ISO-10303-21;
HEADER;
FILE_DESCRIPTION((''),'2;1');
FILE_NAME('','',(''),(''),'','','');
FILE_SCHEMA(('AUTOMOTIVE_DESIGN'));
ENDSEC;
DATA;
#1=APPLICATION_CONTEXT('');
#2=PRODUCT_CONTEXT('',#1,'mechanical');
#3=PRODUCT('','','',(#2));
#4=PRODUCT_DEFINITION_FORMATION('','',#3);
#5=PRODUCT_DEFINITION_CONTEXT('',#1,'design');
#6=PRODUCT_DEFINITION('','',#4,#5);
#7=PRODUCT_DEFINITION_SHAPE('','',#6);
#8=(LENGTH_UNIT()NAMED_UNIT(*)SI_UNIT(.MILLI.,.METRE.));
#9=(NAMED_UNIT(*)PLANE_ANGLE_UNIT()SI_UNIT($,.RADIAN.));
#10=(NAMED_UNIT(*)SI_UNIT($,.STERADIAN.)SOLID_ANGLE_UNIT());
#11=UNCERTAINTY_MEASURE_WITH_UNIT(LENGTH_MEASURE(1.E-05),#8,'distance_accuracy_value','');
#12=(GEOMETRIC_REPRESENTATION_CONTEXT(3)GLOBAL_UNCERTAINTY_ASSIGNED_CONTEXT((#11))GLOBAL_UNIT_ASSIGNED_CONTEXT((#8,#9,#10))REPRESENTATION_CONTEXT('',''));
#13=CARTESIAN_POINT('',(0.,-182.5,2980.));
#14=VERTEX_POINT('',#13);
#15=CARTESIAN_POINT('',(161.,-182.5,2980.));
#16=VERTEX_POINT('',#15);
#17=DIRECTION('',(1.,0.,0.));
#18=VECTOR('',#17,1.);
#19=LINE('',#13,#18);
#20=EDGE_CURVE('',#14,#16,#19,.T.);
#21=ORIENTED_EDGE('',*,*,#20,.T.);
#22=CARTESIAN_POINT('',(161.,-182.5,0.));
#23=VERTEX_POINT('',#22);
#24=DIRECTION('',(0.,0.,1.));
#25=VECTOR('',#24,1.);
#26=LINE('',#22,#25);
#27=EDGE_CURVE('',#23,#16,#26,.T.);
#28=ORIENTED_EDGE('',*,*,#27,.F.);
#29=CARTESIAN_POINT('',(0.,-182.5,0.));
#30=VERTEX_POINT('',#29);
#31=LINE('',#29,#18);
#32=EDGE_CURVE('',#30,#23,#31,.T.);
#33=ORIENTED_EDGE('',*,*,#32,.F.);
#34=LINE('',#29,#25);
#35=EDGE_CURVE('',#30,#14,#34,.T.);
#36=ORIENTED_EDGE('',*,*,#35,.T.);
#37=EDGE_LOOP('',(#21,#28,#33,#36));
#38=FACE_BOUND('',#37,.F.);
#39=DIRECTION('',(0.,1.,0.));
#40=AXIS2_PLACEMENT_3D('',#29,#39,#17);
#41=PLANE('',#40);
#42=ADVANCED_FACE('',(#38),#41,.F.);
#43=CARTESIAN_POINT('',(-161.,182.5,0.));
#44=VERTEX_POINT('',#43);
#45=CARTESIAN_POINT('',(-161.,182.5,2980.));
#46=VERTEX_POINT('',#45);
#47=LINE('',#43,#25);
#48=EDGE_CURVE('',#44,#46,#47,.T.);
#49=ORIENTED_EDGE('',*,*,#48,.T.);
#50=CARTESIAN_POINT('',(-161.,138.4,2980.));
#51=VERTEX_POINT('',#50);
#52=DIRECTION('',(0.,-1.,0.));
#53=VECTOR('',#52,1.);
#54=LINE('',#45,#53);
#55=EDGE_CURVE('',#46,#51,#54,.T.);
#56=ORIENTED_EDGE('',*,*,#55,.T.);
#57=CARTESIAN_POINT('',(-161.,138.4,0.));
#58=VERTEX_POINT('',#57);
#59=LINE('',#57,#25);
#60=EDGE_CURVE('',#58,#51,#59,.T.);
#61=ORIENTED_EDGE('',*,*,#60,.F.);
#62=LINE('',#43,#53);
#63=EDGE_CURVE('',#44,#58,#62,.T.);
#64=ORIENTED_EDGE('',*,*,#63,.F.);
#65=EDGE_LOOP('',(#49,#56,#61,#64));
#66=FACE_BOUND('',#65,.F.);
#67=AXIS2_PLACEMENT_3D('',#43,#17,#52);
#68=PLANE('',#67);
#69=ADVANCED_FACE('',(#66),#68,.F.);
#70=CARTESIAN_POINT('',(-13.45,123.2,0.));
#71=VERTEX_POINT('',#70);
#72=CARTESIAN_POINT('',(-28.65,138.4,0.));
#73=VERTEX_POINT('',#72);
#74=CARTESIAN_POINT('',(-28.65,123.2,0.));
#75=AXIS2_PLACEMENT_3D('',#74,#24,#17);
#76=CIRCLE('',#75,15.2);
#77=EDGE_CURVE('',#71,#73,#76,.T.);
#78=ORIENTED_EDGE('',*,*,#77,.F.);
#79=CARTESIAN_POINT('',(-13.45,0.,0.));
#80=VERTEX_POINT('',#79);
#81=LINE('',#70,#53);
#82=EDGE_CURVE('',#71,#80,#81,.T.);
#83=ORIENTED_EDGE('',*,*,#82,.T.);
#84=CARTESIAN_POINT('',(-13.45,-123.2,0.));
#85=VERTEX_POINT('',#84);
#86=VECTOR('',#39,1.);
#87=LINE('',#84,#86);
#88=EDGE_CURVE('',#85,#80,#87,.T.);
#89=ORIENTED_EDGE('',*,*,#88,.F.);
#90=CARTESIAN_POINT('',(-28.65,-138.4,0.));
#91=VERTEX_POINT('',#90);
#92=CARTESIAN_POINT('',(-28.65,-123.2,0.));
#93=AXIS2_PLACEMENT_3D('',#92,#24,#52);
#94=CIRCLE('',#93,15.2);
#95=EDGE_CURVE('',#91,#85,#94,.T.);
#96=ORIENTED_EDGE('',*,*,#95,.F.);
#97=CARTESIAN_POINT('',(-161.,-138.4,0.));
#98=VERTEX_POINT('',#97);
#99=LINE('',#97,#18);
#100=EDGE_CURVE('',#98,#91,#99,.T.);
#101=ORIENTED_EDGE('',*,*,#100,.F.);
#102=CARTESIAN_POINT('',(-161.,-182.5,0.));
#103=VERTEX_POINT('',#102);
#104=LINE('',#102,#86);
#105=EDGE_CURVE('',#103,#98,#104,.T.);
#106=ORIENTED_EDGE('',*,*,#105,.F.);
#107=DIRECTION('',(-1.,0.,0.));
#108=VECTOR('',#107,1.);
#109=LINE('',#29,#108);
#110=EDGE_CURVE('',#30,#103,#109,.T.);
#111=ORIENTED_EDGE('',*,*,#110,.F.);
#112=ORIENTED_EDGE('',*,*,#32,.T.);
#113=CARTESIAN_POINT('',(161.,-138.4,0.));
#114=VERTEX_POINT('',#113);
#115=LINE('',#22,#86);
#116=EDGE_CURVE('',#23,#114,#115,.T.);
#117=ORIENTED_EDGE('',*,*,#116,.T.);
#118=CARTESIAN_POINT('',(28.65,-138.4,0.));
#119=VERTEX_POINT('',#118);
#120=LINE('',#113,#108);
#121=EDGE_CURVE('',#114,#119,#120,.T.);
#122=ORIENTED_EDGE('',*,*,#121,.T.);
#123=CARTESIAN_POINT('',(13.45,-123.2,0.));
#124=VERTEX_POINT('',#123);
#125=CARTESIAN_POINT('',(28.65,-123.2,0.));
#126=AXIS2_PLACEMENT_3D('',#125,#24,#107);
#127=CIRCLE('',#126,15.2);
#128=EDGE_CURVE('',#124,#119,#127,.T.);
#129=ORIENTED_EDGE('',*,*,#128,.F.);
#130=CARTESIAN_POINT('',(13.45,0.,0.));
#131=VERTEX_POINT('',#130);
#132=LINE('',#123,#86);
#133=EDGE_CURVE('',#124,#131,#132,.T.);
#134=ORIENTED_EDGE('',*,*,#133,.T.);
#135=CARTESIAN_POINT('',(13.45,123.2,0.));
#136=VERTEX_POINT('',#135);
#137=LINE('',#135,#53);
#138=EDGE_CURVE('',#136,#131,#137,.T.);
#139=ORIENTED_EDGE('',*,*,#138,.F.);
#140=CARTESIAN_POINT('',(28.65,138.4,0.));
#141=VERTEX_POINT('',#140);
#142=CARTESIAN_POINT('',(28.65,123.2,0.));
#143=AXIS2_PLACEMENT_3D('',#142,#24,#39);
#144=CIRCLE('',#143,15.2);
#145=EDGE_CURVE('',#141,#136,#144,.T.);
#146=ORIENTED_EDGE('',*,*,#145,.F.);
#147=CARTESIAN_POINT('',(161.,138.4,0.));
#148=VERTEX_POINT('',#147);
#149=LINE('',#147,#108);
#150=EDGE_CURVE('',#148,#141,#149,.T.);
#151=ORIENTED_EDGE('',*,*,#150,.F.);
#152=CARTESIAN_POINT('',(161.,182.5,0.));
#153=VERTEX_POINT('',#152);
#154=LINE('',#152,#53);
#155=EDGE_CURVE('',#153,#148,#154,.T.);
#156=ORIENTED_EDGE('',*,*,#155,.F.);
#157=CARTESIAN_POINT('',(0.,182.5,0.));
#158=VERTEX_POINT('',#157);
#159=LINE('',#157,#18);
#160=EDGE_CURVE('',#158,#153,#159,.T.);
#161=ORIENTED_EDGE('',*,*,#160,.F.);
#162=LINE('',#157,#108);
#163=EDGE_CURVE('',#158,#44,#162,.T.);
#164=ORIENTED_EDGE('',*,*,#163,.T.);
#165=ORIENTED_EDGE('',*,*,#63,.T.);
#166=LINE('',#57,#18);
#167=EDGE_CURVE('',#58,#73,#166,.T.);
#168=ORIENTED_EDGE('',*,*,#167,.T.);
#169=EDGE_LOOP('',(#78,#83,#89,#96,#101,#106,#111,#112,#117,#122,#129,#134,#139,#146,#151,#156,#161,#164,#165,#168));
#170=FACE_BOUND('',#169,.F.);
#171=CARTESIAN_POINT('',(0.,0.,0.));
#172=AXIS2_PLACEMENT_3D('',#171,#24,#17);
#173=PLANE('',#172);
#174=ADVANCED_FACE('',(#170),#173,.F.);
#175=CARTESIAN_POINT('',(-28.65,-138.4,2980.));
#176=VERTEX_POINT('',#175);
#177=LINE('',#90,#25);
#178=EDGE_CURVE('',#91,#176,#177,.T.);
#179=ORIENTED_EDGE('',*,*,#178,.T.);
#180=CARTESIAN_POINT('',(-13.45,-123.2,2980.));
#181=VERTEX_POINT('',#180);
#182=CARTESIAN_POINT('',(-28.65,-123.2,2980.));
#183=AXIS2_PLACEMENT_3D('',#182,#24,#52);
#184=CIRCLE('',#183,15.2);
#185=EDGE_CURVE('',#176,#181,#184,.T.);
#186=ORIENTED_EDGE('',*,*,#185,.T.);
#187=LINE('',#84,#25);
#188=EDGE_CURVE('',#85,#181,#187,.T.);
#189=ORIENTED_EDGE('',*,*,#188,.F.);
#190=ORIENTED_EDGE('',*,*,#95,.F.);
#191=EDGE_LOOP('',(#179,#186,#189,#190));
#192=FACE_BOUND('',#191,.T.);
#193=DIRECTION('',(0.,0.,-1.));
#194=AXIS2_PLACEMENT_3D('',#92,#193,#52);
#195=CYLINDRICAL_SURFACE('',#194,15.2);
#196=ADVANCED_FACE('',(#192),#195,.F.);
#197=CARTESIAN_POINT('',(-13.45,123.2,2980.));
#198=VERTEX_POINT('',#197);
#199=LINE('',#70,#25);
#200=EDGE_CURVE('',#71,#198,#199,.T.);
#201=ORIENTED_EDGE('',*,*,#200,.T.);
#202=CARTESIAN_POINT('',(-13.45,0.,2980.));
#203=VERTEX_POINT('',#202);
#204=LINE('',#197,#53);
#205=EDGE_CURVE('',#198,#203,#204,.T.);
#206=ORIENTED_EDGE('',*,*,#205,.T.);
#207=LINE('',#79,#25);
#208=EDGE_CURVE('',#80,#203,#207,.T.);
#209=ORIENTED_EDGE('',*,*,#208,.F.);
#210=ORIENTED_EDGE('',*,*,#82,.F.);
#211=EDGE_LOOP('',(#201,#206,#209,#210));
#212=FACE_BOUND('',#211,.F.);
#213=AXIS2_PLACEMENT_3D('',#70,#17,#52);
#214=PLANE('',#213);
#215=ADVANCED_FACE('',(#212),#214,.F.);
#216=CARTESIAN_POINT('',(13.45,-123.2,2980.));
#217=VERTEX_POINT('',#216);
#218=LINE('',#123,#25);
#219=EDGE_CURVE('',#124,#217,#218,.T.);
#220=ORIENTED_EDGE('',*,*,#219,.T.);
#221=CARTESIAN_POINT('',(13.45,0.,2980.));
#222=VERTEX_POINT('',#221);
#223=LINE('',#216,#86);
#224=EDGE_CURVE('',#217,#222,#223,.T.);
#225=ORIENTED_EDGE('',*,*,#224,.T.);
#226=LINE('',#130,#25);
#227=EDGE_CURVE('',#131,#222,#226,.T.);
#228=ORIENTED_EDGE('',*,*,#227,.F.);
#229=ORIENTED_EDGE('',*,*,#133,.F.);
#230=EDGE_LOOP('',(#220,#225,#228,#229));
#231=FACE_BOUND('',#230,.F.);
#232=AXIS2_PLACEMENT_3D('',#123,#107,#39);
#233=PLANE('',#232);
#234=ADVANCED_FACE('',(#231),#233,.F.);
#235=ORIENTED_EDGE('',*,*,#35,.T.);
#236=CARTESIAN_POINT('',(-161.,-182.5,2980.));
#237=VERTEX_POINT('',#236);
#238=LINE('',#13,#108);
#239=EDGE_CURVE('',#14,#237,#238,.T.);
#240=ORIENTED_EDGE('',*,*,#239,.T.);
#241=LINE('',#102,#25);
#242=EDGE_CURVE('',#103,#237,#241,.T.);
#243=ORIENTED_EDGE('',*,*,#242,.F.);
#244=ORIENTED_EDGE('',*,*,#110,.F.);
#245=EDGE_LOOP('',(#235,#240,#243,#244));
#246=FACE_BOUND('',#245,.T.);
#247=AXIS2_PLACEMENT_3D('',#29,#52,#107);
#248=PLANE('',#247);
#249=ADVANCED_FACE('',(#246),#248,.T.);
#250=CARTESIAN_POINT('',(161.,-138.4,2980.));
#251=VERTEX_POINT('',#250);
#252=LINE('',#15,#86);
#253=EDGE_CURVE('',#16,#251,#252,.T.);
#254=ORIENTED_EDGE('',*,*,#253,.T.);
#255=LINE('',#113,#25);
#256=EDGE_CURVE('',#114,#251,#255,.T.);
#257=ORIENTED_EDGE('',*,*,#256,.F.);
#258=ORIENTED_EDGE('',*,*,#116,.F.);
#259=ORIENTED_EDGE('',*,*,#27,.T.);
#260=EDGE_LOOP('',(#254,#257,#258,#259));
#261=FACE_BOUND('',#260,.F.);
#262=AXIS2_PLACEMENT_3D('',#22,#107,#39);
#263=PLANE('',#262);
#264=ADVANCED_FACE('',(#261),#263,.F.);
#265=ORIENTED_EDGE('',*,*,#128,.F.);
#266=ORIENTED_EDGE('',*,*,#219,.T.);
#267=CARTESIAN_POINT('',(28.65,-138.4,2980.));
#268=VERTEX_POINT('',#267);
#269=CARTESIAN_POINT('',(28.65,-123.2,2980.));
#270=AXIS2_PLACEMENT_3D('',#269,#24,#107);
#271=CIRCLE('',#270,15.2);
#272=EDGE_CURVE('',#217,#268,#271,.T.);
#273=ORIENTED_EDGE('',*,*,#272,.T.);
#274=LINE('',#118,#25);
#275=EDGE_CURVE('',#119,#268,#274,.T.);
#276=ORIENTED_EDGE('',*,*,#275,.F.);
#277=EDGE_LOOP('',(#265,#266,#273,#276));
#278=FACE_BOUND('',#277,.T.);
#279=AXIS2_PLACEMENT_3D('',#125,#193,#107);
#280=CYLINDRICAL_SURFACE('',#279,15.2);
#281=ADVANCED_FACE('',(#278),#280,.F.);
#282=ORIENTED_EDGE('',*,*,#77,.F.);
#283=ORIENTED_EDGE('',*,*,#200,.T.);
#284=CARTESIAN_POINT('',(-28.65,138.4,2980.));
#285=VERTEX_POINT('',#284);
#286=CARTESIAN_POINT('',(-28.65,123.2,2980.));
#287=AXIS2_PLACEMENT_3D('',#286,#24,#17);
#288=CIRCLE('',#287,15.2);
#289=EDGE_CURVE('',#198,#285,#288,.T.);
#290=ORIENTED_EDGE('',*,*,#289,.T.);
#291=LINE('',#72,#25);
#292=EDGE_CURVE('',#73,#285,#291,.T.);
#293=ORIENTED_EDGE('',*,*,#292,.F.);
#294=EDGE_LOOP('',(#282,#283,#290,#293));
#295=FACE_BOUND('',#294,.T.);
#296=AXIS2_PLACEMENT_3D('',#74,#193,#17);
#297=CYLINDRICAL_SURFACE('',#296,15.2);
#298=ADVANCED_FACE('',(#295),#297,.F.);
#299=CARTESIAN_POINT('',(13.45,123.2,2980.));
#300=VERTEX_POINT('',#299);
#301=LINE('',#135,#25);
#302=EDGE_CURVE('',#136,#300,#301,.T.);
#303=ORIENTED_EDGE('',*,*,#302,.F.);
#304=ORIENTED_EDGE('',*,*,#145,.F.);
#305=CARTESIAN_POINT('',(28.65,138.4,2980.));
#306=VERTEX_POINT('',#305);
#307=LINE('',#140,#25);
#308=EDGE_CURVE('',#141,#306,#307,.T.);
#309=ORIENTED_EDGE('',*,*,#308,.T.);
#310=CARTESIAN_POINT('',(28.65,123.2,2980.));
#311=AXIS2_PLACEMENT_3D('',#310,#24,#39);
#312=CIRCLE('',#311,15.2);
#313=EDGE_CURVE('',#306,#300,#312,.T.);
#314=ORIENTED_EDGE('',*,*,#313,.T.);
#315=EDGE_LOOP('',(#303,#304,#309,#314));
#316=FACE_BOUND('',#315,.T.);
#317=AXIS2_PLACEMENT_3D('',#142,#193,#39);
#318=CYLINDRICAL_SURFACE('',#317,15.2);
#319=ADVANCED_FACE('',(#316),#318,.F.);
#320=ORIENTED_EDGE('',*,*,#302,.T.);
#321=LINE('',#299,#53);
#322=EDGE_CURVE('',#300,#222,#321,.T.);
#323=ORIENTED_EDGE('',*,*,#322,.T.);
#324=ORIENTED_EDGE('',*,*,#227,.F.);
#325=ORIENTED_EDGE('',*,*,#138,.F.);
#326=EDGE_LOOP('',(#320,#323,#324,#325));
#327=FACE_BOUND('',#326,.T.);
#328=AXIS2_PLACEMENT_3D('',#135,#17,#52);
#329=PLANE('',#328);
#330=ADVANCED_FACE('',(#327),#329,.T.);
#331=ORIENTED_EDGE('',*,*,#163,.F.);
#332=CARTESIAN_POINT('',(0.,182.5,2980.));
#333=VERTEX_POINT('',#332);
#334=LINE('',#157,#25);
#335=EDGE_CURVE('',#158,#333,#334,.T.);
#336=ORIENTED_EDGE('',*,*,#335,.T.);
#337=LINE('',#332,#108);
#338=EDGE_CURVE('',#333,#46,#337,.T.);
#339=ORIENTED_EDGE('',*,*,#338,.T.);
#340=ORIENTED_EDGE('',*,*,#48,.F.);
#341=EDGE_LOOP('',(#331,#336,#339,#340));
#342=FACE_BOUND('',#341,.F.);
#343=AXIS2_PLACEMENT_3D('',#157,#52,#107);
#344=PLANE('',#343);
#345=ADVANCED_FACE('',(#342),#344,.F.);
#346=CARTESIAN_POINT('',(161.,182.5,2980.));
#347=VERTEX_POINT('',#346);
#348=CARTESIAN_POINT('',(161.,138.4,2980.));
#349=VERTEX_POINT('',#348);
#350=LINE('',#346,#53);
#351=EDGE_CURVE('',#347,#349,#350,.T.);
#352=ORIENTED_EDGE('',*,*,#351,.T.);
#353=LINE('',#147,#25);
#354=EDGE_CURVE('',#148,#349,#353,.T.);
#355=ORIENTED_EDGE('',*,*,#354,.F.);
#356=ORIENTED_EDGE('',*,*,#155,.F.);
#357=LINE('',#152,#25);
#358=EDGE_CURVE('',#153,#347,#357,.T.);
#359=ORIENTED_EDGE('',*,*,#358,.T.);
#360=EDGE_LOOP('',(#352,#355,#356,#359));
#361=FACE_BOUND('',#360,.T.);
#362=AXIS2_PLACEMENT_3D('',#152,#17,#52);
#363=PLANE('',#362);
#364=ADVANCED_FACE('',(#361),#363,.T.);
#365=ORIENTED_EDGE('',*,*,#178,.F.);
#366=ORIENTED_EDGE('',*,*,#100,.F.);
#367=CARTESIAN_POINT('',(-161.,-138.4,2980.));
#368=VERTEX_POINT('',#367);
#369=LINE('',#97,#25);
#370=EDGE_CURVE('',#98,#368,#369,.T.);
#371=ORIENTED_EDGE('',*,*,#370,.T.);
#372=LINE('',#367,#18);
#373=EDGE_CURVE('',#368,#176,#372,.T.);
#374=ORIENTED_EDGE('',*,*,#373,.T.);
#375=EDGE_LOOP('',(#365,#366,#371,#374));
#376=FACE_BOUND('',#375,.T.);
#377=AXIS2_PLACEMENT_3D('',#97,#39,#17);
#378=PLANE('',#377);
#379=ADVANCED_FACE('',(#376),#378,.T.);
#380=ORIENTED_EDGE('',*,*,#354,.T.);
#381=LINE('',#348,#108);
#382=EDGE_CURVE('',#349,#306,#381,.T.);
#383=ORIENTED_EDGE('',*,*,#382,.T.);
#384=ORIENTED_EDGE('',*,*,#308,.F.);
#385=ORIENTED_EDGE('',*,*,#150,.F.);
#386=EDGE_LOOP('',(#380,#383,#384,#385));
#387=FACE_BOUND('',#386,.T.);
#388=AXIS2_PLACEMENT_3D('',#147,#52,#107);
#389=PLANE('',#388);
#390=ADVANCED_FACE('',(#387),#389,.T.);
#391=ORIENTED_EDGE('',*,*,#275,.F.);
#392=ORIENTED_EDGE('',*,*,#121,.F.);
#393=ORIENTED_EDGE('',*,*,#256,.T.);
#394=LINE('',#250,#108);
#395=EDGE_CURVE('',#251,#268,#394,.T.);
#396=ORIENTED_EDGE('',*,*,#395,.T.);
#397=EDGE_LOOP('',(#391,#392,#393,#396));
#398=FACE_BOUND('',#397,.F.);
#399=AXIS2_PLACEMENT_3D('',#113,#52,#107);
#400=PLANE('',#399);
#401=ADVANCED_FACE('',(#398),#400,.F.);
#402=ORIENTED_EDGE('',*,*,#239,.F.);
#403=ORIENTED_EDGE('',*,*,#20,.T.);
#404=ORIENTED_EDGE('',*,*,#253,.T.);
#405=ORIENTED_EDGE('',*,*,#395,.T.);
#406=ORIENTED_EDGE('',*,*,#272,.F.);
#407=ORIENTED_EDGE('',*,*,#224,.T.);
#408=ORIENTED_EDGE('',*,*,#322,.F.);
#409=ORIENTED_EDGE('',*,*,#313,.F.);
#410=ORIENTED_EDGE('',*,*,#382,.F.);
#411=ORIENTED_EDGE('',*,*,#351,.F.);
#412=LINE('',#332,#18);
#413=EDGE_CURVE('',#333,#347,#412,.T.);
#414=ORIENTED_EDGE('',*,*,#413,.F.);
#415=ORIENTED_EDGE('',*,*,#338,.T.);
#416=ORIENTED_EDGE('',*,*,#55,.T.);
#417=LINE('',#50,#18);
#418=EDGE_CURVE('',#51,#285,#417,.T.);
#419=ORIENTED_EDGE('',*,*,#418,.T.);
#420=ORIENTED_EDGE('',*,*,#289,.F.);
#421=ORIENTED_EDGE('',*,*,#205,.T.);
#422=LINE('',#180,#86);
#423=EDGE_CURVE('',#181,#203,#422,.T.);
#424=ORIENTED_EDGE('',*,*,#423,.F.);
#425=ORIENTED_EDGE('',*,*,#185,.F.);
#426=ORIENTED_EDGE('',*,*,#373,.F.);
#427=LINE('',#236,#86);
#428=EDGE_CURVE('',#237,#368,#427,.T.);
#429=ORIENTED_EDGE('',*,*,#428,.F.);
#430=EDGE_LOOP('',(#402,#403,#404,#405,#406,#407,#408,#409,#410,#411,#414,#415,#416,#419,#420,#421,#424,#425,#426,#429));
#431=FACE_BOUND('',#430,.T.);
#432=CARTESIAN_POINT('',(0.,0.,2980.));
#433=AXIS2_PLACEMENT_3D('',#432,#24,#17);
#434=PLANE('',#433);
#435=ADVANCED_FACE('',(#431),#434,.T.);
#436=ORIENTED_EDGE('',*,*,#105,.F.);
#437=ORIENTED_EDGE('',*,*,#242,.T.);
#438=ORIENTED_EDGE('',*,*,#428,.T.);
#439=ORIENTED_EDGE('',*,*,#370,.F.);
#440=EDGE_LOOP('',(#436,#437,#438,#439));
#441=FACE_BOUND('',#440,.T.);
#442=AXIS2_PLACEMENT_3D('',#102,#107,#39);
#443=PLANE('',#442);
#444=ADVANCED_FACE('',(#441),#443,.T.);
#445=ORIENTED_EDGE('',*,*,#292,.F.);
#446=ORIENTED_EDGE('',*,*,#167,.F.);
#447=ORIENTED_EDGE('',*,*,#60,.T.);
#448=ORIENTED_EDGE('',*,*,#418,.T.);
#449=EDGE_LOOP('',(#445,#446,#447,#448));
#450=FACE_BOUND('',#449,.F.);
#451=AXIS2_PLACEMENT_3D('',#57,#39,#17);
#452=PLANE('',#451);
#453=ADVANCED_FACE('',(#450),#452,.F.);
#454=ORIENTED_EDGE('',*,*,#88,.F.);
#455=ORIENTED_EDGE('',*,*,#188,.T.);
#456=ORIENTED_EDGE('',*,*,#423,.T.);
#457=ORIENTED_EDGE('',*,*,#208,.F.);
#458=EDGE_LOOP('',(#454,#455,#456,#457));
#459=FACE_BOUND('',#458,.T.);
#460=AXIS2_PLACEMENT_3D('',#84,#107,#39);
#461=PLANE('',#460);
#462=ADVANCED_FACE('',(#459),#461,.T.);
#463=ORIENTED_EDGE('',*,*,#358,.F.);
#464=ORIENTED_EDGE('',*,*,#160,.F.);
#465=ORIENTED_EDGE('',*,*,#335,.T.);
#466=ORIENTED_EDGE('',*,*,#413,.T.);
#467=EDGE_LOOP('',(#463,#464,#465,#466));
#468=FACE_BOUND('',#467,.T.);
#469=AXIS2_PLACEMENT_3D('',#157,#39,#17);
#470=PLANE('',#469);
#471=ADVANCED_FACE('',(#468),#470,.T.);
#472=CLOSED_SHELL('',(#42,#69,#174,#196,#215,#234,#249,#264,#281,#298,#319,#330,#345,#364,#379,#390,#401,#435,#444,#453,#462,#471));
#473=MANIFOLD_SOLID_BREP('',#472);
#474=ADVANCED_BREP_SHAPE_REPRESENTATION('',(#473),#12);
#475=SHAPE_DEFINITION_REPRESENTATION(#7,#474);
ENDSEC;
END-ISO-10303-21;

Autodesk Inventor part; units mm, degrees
ref_plane "YZ Plane" through (0, 0, 0) normal (1, 0, 0) x (0, 1, 0)
ref_plane "Start plane" through (0, 0, 0) normal (0, 0, 1) x (1, 0, 0)
ref_plane "End plane" through (0, 0, 2980) normal (0, 0, 1) x (1, 0, 0)
sketch "Sketch" plane through (0, 0, 0) normal (0, 0, 1) x (1, 0, 0)
  line L0 (-161, -182.5) -> (-161, -138.4)
  line L1 (-161, -138.4) -> (-28.65, -138.4)
  line L2 (-13.45, -123.2) -> (-13.45, 0)
  line L3 (-13.45, 0) -> (0, 0) construction
  line L4 (0, 0) -> (0, -182.5) construction
  line L5 (0, -182.5) -> (-161, -182.5)
  line L6 (-60, 0) -> (80, 0) construction
  line L7 (0, -60) -> (0, 80) construction
  line L8 (161, -182.5) -> (161, -138.4)
  line L9 (161, -138.4) -> (28.65, -138.4)
  line L10 (13.45, -123.2) -> (13.45, 0)
  line L11 (13.45, 0) -> (0, 0) construction
  line L12 (0, -182.5) -> (161, -182.5)
  line L13 (-161, 182.5) -> (-161, 138.4)
  line L14 (-161, 138.4) -> (-28.65, 138.4)
  line L15 (-13.45, 123.2) -> (-13.45, 0)
  line L16 (0, 182.5) -> (-161, 182.5)
  line L17 (161, 182.5) -> (161, 138.4)
  line L18 (161, 138.4) -> (28.65, 138.4)
  line L19 (0, 182.5) -> (161, 182.5)
  line L20 (13.45, 123.2) -> (13.45, 0)
  arc A0 (-13.45, 123.2) -> (-28.65, 138.4) centre (-28.65, 123.2) ccw
  arc A1 (28.65, 138.4) -> (13.45, 123.2) centre (28.65, 123.2) ccw
  arc A2 (13.45, -123.2) -> (28.65, -138.4) centre (28.65, -123.2) ccw
  arc A3 (-28.65, -138.4) -> (-13.45, -123.2) centre (-28.65, -123.2) ccw
  line L21 (0, 108) -> (0, -88) construction
  line L22 (-88, 0) -> (108, 0) construction
  point P0 (-13.45, -138.4)
  point P1 (13.45, -138.4)
  point P2 (-13.45, 138.4)
  point P3 (13.45, 138.4)
  dimension "d1" = 182.5
  dimension "d2" = 44.1
  dimension "d3" = 161
  dimension "d4" = 13.45
  dimension "d10" = 15.2
extrude "Body" add sketch "Sketch" along normal up to surface (2980 mm away) from surface at 0
sketch "Sketch4" plane through (0, 0, 0) normal (0, 0, 1) x (1, 0, 0)
  line L0 (0, 0) -> (10, 0)
ref_plane "Work Plane3" through (0, 0, 0) normal (0, -1, 0) x (1, 0, 0)
sketch "Sketch5" plane through (0, 0, 0) normal (0, -1, 0) x (1, 0, 0)
  line L0 (-2, 0) -> (12, 0) projected
  line L1 (-2, 2980) -> (12, 2980) projected
  dimension "d14" = 2980
equation "\"d1\" = 0.5 * G_H"
equation "\"d2\" = G_T1"
equation "\"d3\" = 0.5 * G_W"
equation "\"d4\" = 0.5 * G_T"
equation "\"d10\" = G_IR"
equation "\"d5\" = G_L"
equation "\"G_W\" = 322"
equation "\"G_H\" = 365"
equation "\"G_T\" = 26.9"
equation "\"G_T1\" = 44.1"
equation "\"G_IR\" = 15.2"
equation "\"G_L\" = d14"
equation "\"G_OFFSET_START\" = 0"
equation "\"G_OFFSET_END\" = 0"
properties part number "AS 3679 - 310 UC - 283 - 2980" material "Steel, Mild"
